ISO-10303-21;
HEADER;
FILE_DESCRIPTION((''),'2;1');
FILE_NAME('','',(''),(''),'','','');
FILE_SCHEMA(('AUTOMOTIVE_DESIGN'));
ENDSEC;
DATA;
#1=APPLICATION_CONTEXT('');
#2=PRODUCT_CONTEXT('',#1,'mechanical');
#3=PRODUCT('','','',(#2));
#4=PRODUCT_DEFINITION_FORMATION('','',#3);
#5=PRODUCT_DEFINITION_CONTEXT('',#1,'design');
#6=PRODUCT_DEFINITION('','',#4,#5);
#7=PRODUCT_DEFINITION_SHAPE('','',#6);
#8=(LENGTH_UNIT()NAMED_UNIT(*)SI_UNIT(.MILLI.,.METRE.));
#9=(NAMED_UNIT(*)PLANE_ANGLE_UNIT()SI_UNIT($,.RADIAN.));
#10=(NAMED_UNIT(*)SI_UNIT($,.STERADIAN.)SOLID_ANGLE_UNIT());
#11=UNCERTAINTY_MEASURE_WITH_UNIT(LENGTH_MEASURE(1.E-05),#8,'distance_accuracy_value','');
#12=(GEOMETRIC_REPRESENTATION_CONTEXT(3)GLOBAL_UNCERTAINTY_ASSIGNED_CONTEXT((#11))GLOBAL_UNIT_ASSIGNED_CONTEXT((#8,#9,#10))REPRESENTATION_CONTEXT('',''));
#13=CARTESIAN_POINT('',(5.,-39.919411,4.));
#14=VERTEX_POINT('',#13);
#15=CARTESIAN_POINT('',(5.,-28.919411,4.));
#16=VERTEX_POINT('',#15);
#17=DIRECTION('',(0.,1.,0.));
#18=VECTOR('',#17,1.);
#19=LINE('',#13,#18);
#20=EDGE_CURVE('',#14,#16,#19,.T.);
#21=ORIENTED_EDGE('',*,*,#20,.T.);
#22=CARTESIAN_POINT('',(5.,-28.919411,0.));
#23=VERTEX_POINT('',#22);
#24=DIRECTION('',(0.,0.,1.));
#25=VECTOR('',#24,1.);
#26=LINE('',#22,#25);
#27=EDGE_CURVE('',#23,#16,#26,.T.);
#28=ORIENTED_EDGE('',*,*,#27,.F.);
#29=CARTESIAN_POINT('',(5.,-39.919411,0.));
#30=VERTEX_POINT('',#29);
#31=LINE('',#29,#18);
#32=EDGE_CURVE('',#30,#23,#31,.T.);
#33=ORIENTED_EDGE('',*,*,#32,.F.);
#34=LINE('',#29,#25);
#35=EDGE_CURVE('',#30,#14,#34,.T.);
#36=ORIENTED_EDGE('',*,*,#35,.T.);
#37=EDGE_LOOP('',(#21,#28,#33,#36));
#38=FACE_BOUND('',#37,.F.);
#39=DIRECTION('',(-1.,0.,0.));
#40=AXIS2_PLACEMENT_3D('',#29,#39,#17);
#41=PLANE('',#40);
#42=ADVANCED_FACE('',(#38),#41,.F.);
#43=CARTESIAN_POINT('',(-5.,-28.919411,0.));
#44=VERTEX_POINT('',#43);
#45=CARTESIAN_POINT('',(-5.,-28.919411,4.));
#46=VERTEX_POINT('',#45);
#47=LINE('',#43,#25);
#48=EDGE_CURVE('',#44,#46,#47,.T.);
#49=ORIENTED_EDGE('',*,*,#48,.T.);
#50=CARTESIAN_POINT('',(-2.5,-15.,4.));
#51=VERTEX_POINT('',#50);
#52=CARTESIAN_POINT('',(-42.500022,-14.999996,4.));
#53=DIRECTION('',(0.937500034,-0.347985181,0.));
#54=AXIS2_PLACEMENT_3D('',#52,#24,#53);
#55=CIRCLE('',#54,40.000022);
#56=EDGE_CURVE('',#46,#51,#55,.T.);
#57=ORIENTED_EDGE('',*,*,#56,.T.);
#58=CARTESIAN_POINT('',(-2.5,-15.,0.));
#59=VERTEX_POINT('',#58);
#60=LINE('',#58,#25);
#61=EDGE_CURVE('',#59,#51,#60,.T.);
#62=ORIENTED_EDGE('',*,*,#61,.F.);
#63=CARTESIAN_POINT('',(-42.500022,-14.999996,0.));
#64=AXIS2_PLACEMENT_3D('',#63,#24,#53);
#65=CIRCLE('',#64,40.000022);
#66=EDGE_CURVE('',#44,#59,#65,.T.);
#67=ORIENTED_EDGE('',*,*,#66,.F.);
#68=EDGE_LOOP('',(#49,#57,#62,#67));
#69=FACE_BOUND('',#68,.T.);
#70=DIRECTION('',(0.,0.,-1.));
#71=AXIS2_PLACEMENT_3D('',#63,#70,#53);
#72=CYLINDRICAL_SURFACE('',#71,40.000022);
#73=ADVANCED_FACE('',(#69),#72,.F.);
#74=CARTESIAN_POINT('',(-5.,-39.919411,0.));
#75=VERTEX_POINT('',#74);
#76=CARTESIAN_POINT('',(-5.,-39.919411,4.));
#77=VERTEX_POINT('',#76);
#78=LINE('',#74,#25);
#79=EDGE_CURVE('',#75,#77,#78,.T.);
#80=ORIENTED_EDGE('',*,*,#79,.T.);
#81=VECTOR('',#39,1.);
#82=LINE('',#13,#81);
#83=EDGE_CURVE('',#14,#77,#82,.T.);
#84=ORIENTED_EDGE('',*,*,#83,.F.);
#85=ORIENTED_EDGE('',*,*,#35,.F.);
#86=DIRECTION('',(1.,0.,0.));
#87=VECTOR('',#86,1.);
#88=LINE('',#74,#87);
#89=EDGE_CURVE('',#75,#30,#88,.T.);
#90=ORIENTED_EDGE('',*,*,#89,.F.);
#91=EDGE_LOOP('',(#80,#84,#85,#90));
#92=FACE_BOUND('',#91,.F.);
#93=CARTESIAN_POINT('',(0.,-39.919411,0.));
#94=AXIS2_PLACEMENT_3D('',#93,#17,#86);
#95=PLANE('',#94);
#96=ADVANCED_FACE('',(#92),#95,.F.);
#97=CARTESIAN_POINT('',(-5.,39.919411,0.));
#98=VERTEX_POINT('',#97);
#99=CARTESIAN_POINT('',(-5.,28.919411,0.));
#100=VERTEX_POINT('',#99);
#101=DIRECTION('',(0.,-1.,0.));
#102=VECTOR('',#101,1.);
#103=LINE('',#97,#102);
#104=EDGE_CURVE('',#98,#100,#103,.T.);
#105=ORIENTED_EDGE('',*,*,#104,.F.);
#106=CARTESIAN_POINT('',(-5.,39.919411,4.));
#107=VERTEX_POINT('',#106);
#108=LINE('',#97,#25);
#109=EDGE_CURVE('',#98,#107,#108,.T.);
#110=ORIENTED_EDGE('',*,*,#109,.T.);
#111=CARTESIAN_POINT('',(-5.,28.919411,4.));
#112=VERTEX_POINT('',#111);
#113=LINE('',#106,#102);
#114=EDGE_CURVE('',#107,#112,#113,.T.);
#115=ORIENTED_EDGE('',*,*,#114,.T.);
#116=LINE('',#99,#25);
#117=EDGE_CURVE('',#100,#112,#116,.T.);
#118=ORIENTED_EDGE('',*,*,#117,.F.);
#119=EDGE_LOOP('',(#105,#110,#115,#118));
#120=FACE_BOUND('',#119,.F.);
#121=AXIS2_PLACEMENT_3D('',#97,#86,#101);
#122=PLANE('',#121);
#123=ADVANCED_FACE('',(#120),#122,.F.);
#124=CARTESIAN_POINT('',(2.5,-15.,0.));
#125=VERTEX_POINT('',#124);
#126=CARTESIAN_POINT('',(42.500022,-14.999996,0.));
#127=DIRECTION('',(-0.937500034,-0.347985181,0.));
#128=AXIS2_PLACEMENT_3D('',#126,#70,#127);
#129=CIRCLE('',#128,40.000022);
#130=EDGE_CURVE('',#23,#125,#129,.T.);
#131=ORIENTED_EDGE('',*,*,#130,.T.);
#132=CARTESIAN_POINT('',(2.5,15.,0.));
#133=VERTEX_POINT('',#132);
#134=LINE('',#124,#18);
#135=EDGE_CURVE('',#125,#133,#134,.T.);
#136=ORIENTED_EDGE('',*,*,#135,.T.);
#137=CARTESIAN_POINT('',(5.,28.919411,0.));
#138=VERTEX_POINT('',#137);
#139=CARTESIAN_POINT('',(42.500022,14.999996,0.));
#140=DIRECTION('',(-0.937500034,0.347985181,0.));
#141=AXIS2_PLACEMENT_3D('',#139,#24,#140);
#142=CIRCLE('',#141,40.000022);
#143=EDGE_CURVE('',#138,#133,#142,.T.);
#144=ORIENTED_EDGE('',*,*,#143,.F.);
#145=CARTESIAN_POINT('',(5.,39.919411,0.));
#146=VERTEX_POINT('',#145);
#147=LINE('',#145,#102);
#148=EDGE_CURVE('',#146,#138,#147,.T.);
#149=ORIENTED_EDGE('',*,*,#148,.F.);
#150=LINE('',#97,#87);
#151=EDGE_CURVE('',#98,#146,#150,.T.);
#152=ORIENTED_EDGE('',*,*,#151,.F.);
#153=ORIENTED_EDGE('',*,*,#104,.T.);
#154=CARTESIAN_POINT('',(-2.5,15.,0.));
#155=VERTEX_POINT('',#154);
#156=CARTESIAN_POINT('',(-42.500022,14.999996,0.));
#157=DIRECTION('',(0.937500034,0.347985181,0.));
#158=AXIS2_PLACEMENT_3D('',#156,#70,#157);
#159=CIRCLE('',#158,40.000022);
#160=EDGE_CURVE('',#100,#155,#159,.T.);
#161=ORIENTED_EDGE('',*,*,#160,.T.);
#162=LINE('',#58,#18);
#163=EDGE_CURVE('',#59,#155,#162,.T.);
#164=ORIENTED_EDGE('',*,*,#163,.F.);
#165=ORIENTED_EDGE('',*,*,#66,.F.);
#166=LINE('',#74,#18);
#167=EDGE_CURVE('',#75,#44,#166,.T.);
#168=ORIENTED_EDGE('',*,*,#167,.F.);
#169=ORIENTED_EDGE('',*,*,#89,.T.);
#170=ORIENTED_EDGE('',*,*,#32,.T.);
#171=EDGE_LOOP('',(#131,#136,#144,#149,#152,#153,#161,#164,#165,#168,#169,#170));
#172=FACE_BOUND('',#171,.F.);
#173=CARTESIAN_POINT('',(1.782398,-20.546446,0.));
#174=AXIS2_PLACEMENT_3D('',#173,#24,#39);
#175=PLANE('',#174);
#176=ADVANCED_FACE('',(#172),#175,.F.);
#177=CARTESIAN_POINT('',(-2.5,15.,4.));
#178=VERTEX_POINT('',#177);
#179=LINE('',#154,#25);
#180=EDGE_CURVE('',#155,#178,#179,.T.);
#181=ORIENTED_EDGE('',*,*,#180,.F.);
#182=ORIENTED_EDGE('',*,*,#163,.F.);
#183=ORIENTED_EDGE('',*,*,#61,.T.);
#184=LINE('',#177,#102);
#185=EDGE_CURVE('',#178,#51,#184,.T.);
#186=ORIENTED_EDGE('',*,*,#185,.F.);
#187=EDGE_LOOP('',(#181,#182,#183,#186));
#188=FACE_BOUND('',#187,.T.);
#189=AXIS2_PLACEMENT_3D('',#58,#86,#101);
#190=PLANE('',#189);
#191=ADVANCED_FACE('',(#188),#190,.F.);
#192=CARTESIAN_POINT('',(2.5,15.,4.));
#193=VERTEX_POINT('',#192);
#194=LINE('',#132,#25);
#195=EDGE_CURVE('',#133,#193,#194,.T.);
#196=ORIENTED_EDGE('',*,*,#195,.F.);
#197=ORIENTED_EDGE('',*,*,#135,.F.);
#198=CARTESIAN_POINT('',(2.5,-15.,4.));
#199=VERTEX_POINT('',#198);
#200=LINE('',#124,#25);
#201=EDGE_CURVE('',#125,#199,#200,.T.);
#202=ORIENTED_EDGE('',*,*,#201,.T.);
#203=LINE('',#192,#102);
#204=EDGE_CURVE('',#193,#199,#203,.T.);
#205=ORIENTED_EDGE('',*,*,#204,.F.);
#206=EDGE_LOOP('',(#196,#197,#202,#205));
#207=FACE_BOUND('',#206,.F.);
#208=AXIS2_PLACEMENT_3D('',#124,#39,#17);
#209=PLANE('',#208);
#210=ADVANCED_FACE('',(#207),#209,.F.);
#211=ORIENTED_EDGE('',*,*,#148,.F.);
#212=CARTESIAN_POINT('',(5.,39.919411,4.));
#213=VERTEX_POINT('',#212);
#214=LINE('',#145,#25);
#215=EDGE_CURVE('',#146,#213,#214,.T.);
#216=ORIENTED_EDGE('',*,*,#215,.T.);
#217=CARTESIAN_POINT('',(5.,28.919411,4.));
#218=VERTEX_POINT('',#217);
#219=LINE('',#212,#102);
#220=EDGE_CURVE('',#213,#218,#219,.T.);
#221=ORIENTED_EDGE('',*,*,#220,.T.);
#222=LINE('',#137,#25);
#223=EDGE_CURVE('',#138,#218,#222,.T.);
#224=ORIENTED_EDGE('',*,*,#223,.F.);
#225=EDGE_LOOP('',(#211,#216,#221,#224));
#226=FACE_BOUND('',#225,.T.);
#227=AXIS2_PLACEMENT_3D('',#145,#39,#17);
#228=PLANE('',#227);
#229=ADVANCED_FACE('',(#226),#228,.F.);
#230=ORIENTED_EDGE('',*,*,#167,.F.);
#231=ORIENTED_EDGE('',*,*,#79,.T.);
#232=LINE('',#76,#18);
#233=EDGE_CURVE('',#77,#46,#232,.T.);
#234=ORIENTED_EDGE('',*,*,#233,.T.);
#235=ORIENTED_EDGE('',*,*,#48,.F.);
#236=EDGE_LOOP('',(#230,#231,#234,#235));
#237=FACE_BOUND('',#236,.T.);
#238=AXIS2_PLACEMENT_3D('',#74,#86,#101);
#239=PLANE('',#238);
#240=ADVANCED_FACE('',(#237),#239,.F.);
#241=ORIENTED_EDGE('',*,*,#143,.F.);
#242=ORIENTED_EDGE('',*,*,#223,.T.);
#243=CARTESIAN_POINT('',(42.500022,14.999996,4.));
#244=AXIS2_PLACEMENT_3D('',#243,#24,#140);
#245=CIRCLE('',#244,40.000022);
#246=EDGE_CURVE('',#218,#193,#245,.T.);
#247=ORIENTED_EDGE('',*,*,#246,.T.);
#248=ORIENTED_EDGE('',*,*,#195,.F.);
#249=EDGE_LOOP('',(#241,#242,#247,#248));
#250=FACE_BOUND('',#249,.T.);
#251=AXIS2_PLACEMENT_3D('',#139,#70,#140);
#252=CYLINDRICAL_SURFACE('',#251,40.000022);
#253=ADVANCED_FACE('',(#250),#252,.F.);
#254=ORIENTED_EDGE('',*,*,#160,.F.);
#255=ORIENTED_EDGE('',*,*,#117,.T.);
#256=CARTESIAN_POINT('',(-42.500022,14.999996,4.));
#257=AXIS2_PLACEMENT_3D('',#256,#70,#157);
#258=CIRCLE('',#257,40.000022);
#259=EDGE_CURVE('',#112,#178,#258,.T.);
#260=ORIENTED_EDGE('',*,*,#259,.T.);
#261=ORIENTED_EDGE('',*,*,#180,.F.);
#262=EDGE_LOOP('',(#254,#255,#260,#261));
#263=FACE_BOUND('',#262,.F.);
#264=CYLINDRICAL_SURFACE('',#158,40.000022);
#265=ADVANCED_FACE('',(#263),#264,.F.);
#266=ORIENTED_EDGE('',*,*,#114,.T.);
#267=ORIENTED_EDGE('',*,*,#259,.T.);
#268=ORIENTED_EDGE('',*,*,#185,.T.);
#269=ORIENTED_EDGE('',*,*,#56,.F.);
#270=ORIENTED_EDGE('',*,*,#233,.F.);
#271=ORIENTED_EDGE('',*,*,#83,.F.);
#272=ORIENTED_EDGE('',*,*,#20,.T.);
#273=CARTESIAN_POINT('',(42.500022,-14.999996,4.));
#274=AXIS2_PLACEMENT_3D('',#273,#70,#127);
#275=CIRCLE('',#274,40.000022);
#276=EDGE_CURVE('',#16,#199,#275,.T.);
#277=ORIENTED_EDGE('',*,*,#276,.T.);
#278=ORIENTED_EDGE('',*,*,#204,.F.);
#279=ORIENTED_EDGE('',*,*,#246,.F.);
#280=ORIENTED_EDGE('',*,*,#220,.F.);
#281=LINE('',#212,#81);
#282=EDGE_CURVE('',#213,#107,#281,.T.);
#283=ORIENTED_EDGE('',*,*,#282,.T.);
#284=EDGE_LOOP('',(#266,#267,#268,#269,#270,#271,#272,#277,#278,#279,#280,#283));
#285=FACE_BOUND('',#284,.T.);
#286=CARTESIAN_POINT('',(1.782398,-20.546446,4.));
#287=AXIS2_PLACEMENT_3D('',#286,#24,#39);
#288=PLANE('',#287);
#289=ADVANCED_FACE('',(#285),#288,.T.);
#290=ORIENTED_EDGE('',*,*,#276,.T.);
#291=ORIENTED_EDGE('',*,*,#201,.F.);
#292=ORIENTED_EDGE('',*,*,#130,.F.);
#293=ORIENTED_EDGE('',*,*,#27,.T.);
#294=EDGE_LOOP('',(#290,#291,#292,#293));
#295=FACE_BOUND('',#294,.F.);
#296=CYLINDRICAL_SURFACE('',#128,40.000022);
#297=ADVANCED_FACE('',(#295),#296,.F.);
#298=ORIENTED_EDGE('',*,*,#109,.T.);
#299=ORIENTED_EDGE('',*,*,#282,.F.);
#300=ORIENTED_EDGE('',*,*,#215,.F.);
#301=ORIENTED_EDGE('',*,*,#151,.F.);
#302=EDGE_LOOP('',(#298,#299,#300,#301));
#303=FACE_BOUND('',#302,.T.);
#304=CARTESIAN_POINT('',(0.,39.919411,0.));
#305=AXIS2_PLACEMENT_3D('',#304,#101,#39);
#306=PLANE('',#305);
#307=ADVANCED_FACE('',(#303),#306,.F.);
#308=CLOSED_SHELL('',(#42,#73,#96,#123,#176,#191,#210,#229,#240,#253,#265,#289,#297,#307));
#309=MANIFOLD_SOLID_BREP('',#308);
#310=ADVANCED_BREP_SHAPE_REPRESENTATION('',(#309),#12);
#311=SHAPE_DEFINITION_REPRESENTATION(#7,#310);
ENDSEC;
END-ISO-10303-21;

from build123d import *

# Parameters (mm, degrees)
F1_DEPTH = 4


with BuildPart() as f1:
    # F0 (on Top) → F1 (new body)
    with BuildSketch(Plane.XY):
        with BuildLine():
            Line((-2.5, 15), (-2.5, 0))
            Line((-2.5, 0), (0, 0))
            Line((0, 0), (0, 39.919411))
            Line((0, 39.919411), (-5, 39.919411))
            Line((-5, 39.919411), (-5, 28.919411))
            ThreePointArc((-5, 28.919411), (-3.129961, 22.071068), (-2.5, 15))
        make_face()
    extrude(amount=F1_DEPTH)

    # F2: F1 across face


with BuildPart() as f1_1:
    add(f1.part)
    add(f1.part.mirror(Plane(origin=(0, 19.959705, 2), x_dir=(0, 1, 0), z_dir=(1, 0, 0))))

    # F3: F1 across face


with BuildPart() as f1_2:
    add(f1_1.part)
    add(f1_1.part.mirror(Plane(origin=(0, 0, 2), x_dir=(1, 0, 0), z_dir=(0, -1, 0))))


solid = f1_2.part
